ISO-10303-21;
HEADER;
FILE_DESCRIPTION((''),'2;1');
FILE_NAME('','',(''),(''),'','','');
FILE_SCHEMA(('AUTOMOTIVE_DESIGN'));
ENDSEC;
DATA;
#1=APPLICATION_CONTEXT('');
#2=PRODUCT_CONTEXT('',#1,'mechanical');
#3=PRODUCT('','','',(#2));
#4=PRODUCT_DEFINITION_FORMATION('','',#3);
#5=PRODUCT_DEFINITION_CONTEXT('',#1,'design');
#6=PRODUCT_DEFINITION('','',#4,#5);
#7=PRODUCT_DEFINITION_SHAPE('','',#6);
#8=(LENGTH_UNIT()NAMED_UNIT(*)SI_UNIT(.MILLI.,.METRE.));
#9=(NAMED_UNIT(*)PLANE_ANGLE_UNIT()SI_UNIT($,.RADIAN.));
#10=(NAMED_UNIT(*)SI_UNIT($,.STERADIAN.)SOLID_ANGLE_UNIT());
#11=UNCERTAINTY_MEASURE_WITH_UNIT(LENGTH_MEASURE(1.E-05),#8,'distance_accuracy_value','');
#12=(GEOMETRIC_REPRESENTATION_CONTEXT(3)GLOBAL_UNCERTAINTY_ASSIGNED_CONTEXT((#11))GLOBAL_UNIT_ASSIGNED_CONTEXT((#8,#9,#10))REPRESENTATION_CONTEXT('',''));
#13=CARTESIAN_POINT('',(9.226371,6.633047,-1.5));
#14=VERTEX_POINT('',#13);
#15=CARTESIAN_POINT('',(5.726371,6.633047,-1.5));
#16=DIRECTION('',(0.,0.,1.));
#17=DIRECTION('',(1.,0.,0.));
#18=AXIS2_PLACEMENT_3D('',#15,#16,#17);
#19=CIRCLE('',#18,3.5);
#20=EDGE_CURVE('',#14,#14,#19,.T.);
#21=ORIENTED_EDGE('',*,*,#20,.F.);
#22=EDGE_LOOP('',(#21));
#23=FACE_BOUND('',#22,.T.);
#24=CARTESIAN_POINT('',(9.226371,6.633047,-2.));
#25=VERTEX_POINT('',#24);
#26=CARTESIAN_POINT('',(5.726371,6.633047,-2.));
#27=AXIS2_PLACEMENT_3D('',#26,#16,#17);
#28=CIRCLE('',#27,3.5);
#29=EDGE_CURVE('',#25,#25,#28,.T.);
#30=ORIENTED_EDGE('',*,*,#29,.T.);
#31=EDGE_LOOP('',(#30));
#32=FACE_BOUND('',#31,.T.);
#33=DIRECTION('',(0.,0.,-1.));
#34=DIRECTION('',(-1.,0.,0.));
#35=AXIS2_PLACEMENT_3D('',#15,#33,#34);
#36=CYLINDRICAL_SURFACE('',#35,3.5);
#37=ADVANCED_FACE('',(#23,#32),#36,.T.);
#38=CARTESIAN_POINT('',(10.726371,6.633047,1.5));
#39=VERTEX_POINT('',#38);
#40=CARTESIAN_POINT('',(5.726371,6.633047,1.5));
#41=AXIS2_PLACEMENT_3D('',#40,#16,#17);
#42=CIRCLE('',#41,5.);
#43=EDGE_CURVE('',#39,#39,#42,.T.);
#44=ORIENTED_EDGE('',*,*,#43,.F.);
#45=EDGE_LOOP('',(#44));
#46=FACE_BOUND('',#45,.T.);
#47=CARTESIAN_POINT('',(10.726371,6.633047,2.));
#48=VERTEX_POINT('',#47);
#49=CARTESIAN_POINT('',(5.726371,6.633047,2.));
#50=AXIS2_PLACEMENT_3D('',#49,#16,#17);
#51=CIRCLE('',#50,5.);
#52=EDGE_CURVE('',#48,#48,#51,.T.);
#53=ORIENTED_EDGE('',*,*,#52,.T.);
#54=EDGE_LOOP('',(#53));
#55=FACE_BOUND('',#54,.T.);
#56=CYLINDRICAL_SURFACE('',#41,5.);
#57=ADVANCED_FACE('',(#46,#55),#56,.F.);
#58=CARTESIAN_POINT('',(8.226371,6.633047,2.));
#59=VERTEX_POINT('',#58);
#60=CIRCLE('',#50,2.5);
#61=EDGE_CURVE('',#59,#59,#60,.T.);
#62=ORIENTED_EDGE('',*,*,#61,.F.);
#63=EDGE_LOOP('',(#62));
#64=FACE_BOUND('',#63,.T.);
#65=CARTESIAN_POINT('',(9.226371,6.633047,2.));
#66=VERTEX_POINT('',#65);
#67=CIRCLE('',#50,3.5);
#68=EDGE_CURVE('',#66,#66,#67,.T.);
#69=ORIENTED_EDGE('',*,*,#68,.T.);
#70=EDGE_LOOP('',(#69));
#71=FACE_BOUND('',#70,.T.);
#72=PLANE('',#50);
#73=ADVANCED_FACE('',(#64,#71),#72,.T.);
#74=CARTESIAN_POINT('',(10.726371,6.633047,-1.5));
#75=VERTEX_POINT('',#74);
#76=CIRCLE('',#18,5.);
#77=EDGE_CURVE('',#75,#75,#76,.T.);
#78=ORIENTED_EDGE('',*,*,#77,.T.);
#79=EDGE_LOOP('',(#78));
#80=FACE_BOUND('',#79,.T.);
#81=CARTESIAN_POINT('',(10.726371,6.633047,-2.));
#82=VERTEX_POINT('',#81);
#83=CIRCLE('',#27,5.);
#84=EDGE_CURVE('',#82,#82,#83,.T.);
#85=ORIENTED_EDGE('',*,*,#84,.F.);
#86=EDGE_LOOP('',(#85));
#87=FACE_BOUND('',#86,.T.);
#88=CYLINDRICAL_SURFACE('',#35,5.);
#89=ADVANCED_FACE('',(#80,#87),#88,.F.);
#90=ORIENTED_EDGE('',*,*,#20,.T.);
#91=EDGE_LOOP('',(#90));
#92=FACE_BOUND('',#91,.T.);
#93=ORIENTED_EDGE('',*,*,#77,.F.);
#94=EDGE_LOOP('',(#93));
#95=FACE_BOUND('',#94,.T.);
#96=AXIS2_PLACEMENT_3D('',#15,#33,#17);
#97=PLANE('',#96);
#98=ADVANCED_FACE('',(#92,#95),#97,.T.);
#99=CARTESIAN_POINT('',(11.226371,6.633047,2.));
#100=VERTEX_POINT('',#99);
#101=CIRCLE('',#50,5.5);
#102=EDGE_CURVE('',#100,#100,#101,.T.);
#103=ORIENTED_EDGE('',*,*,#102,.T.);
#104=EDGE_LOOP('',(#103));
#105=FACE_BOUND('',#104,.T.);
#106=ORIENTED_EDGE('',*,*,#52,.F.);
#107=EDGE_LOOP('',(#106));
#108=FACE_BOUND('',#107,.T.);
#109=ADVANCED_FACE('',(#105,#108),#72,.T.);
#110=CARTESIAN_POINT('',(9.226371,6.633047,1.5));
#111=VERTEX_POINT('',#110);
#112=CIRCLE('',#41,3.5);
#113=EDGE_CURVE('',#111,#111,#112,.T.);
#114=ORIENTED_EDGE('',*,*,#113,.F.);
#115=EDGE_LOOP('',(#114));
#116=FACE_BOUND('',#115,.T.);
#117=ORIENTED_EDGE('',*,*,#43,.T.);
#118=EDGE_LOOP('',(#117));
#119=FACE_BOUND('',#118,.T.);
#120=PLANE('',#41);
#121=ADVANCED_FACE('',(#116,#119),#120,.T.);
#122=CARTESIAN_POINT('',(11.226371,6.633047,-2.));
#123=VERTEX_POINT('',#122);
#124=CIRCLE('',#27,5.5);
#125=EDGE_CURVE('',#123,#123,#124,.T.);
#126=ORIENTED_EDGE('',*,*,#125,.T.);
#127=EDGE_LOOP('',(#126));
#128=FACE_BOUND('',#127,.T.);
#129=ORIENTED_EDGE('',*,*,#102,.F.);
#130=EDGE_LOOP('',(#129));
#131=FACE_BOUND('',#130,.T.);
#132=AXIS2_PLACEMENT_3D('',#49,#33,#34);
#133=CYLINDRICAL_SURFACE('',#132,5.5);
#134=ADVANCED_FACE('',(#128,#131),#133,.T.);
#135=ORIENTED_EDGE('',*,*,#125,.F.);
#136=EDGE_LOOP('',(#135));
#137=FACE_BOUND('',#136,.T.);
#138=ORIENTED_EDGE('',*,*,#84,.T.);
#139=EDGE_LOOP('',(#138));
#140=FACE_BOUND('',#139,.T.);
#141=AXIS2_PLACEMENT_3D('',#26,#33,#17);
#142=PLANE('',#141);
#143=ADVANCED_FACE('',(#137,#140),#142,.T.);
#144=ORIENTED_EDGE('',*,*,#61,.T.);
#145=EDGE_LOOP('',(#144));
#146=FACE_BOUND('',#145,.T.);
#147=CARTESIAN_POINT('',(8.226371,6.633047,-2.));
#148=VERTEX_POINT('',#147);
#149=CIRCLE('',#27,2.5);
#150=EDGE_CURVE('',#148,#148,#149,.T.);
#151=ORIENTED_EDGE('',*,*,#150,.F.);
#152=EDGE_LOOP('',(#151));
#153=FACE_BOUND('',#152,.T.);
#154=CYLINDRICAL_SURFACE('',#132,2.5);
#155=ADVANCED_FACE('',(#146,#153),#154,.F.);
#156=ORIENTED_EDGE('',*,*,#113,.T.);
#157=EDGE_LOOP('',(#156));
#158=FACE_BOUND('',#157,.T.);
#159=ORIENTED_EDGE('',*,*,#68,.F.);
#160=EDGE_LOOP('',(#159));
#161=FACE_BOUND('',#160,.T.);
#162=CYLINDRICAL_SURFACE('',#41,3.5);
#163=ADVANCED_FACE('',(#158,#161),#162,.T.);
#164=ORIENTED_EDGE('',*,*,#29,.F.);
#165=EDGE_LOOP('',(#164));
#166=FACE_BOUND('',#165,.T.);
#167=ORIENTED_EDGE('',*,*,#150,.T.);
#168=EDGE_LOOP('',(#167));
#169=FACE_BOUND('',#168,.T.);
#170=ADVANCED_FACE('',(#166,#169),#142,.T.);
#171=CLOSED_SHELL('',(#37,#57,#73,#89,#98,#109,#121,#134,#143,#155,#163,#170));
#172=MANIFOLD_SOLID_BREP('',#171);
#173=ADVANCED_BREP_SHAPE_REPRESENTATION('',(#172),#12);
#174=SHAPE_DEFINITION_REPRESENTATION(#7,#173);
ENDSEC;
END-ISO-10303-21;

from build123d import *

# Parameters (mm, degrees)
SKETCH2_R           = 5.5
SKETCH2_R_2         = 2.5
BOSS_EXTRUDE1_DEPTH = 2
SKETCH4_R           = 5
SKETCH4_R_2         = 3.5
CUT_EXTRUDE1_DEPTH  = 0.5


with BuildPart() as part:
    # Sketch2 → Boss-Extrude1 (new body)
    with BuildSketch(Plane.XY):
        with Locations((5.726371269, 6.63304672)):
            Circle(SKETCH2_R)
        with Locations((5.726371269, 6.63304672)):
            Circle(SKETCH2_R_2, mode=Mode.SUBTRACT)
    boss_extrude1 = extrude(amount=BOSS_EXTRUDE1_DEPTH)

    # Sketch4 → Cut-Extrude1 (cut)
    with BuildSketch(Plane.XY.offset(2)):
        with Locations((5.726371269, 6.63304672)):
            Circle(SKETCH4_R)
        with Locations((5.726371269, 6.63304672)):
            Circle(SKETCH4_R_2, mode=Mode.SUBTRACT)
    cut_extrude1 = extrude(amount=-CUT_EXTRUDE1_DEPTH, mode=Mode.SUBTRACT)

    # Mirror2: Boss-Extrude1, Cut-Extrude1 across plane
    add(boss_extrude1.mirror(Plane(origin=(5.726371269, 6.63304672, 0), x_dir=(1, 0, 0), z_dir=(0, 0, 1))))
    add(cut_extrude1.mirror(Plane(origin=(5.726371269, 6.63304672, 0), x_dir=(1, 0, 0), z_dir=(0, 0, 1))), mode=Mode.SUBTRACT)


solid = part.part
